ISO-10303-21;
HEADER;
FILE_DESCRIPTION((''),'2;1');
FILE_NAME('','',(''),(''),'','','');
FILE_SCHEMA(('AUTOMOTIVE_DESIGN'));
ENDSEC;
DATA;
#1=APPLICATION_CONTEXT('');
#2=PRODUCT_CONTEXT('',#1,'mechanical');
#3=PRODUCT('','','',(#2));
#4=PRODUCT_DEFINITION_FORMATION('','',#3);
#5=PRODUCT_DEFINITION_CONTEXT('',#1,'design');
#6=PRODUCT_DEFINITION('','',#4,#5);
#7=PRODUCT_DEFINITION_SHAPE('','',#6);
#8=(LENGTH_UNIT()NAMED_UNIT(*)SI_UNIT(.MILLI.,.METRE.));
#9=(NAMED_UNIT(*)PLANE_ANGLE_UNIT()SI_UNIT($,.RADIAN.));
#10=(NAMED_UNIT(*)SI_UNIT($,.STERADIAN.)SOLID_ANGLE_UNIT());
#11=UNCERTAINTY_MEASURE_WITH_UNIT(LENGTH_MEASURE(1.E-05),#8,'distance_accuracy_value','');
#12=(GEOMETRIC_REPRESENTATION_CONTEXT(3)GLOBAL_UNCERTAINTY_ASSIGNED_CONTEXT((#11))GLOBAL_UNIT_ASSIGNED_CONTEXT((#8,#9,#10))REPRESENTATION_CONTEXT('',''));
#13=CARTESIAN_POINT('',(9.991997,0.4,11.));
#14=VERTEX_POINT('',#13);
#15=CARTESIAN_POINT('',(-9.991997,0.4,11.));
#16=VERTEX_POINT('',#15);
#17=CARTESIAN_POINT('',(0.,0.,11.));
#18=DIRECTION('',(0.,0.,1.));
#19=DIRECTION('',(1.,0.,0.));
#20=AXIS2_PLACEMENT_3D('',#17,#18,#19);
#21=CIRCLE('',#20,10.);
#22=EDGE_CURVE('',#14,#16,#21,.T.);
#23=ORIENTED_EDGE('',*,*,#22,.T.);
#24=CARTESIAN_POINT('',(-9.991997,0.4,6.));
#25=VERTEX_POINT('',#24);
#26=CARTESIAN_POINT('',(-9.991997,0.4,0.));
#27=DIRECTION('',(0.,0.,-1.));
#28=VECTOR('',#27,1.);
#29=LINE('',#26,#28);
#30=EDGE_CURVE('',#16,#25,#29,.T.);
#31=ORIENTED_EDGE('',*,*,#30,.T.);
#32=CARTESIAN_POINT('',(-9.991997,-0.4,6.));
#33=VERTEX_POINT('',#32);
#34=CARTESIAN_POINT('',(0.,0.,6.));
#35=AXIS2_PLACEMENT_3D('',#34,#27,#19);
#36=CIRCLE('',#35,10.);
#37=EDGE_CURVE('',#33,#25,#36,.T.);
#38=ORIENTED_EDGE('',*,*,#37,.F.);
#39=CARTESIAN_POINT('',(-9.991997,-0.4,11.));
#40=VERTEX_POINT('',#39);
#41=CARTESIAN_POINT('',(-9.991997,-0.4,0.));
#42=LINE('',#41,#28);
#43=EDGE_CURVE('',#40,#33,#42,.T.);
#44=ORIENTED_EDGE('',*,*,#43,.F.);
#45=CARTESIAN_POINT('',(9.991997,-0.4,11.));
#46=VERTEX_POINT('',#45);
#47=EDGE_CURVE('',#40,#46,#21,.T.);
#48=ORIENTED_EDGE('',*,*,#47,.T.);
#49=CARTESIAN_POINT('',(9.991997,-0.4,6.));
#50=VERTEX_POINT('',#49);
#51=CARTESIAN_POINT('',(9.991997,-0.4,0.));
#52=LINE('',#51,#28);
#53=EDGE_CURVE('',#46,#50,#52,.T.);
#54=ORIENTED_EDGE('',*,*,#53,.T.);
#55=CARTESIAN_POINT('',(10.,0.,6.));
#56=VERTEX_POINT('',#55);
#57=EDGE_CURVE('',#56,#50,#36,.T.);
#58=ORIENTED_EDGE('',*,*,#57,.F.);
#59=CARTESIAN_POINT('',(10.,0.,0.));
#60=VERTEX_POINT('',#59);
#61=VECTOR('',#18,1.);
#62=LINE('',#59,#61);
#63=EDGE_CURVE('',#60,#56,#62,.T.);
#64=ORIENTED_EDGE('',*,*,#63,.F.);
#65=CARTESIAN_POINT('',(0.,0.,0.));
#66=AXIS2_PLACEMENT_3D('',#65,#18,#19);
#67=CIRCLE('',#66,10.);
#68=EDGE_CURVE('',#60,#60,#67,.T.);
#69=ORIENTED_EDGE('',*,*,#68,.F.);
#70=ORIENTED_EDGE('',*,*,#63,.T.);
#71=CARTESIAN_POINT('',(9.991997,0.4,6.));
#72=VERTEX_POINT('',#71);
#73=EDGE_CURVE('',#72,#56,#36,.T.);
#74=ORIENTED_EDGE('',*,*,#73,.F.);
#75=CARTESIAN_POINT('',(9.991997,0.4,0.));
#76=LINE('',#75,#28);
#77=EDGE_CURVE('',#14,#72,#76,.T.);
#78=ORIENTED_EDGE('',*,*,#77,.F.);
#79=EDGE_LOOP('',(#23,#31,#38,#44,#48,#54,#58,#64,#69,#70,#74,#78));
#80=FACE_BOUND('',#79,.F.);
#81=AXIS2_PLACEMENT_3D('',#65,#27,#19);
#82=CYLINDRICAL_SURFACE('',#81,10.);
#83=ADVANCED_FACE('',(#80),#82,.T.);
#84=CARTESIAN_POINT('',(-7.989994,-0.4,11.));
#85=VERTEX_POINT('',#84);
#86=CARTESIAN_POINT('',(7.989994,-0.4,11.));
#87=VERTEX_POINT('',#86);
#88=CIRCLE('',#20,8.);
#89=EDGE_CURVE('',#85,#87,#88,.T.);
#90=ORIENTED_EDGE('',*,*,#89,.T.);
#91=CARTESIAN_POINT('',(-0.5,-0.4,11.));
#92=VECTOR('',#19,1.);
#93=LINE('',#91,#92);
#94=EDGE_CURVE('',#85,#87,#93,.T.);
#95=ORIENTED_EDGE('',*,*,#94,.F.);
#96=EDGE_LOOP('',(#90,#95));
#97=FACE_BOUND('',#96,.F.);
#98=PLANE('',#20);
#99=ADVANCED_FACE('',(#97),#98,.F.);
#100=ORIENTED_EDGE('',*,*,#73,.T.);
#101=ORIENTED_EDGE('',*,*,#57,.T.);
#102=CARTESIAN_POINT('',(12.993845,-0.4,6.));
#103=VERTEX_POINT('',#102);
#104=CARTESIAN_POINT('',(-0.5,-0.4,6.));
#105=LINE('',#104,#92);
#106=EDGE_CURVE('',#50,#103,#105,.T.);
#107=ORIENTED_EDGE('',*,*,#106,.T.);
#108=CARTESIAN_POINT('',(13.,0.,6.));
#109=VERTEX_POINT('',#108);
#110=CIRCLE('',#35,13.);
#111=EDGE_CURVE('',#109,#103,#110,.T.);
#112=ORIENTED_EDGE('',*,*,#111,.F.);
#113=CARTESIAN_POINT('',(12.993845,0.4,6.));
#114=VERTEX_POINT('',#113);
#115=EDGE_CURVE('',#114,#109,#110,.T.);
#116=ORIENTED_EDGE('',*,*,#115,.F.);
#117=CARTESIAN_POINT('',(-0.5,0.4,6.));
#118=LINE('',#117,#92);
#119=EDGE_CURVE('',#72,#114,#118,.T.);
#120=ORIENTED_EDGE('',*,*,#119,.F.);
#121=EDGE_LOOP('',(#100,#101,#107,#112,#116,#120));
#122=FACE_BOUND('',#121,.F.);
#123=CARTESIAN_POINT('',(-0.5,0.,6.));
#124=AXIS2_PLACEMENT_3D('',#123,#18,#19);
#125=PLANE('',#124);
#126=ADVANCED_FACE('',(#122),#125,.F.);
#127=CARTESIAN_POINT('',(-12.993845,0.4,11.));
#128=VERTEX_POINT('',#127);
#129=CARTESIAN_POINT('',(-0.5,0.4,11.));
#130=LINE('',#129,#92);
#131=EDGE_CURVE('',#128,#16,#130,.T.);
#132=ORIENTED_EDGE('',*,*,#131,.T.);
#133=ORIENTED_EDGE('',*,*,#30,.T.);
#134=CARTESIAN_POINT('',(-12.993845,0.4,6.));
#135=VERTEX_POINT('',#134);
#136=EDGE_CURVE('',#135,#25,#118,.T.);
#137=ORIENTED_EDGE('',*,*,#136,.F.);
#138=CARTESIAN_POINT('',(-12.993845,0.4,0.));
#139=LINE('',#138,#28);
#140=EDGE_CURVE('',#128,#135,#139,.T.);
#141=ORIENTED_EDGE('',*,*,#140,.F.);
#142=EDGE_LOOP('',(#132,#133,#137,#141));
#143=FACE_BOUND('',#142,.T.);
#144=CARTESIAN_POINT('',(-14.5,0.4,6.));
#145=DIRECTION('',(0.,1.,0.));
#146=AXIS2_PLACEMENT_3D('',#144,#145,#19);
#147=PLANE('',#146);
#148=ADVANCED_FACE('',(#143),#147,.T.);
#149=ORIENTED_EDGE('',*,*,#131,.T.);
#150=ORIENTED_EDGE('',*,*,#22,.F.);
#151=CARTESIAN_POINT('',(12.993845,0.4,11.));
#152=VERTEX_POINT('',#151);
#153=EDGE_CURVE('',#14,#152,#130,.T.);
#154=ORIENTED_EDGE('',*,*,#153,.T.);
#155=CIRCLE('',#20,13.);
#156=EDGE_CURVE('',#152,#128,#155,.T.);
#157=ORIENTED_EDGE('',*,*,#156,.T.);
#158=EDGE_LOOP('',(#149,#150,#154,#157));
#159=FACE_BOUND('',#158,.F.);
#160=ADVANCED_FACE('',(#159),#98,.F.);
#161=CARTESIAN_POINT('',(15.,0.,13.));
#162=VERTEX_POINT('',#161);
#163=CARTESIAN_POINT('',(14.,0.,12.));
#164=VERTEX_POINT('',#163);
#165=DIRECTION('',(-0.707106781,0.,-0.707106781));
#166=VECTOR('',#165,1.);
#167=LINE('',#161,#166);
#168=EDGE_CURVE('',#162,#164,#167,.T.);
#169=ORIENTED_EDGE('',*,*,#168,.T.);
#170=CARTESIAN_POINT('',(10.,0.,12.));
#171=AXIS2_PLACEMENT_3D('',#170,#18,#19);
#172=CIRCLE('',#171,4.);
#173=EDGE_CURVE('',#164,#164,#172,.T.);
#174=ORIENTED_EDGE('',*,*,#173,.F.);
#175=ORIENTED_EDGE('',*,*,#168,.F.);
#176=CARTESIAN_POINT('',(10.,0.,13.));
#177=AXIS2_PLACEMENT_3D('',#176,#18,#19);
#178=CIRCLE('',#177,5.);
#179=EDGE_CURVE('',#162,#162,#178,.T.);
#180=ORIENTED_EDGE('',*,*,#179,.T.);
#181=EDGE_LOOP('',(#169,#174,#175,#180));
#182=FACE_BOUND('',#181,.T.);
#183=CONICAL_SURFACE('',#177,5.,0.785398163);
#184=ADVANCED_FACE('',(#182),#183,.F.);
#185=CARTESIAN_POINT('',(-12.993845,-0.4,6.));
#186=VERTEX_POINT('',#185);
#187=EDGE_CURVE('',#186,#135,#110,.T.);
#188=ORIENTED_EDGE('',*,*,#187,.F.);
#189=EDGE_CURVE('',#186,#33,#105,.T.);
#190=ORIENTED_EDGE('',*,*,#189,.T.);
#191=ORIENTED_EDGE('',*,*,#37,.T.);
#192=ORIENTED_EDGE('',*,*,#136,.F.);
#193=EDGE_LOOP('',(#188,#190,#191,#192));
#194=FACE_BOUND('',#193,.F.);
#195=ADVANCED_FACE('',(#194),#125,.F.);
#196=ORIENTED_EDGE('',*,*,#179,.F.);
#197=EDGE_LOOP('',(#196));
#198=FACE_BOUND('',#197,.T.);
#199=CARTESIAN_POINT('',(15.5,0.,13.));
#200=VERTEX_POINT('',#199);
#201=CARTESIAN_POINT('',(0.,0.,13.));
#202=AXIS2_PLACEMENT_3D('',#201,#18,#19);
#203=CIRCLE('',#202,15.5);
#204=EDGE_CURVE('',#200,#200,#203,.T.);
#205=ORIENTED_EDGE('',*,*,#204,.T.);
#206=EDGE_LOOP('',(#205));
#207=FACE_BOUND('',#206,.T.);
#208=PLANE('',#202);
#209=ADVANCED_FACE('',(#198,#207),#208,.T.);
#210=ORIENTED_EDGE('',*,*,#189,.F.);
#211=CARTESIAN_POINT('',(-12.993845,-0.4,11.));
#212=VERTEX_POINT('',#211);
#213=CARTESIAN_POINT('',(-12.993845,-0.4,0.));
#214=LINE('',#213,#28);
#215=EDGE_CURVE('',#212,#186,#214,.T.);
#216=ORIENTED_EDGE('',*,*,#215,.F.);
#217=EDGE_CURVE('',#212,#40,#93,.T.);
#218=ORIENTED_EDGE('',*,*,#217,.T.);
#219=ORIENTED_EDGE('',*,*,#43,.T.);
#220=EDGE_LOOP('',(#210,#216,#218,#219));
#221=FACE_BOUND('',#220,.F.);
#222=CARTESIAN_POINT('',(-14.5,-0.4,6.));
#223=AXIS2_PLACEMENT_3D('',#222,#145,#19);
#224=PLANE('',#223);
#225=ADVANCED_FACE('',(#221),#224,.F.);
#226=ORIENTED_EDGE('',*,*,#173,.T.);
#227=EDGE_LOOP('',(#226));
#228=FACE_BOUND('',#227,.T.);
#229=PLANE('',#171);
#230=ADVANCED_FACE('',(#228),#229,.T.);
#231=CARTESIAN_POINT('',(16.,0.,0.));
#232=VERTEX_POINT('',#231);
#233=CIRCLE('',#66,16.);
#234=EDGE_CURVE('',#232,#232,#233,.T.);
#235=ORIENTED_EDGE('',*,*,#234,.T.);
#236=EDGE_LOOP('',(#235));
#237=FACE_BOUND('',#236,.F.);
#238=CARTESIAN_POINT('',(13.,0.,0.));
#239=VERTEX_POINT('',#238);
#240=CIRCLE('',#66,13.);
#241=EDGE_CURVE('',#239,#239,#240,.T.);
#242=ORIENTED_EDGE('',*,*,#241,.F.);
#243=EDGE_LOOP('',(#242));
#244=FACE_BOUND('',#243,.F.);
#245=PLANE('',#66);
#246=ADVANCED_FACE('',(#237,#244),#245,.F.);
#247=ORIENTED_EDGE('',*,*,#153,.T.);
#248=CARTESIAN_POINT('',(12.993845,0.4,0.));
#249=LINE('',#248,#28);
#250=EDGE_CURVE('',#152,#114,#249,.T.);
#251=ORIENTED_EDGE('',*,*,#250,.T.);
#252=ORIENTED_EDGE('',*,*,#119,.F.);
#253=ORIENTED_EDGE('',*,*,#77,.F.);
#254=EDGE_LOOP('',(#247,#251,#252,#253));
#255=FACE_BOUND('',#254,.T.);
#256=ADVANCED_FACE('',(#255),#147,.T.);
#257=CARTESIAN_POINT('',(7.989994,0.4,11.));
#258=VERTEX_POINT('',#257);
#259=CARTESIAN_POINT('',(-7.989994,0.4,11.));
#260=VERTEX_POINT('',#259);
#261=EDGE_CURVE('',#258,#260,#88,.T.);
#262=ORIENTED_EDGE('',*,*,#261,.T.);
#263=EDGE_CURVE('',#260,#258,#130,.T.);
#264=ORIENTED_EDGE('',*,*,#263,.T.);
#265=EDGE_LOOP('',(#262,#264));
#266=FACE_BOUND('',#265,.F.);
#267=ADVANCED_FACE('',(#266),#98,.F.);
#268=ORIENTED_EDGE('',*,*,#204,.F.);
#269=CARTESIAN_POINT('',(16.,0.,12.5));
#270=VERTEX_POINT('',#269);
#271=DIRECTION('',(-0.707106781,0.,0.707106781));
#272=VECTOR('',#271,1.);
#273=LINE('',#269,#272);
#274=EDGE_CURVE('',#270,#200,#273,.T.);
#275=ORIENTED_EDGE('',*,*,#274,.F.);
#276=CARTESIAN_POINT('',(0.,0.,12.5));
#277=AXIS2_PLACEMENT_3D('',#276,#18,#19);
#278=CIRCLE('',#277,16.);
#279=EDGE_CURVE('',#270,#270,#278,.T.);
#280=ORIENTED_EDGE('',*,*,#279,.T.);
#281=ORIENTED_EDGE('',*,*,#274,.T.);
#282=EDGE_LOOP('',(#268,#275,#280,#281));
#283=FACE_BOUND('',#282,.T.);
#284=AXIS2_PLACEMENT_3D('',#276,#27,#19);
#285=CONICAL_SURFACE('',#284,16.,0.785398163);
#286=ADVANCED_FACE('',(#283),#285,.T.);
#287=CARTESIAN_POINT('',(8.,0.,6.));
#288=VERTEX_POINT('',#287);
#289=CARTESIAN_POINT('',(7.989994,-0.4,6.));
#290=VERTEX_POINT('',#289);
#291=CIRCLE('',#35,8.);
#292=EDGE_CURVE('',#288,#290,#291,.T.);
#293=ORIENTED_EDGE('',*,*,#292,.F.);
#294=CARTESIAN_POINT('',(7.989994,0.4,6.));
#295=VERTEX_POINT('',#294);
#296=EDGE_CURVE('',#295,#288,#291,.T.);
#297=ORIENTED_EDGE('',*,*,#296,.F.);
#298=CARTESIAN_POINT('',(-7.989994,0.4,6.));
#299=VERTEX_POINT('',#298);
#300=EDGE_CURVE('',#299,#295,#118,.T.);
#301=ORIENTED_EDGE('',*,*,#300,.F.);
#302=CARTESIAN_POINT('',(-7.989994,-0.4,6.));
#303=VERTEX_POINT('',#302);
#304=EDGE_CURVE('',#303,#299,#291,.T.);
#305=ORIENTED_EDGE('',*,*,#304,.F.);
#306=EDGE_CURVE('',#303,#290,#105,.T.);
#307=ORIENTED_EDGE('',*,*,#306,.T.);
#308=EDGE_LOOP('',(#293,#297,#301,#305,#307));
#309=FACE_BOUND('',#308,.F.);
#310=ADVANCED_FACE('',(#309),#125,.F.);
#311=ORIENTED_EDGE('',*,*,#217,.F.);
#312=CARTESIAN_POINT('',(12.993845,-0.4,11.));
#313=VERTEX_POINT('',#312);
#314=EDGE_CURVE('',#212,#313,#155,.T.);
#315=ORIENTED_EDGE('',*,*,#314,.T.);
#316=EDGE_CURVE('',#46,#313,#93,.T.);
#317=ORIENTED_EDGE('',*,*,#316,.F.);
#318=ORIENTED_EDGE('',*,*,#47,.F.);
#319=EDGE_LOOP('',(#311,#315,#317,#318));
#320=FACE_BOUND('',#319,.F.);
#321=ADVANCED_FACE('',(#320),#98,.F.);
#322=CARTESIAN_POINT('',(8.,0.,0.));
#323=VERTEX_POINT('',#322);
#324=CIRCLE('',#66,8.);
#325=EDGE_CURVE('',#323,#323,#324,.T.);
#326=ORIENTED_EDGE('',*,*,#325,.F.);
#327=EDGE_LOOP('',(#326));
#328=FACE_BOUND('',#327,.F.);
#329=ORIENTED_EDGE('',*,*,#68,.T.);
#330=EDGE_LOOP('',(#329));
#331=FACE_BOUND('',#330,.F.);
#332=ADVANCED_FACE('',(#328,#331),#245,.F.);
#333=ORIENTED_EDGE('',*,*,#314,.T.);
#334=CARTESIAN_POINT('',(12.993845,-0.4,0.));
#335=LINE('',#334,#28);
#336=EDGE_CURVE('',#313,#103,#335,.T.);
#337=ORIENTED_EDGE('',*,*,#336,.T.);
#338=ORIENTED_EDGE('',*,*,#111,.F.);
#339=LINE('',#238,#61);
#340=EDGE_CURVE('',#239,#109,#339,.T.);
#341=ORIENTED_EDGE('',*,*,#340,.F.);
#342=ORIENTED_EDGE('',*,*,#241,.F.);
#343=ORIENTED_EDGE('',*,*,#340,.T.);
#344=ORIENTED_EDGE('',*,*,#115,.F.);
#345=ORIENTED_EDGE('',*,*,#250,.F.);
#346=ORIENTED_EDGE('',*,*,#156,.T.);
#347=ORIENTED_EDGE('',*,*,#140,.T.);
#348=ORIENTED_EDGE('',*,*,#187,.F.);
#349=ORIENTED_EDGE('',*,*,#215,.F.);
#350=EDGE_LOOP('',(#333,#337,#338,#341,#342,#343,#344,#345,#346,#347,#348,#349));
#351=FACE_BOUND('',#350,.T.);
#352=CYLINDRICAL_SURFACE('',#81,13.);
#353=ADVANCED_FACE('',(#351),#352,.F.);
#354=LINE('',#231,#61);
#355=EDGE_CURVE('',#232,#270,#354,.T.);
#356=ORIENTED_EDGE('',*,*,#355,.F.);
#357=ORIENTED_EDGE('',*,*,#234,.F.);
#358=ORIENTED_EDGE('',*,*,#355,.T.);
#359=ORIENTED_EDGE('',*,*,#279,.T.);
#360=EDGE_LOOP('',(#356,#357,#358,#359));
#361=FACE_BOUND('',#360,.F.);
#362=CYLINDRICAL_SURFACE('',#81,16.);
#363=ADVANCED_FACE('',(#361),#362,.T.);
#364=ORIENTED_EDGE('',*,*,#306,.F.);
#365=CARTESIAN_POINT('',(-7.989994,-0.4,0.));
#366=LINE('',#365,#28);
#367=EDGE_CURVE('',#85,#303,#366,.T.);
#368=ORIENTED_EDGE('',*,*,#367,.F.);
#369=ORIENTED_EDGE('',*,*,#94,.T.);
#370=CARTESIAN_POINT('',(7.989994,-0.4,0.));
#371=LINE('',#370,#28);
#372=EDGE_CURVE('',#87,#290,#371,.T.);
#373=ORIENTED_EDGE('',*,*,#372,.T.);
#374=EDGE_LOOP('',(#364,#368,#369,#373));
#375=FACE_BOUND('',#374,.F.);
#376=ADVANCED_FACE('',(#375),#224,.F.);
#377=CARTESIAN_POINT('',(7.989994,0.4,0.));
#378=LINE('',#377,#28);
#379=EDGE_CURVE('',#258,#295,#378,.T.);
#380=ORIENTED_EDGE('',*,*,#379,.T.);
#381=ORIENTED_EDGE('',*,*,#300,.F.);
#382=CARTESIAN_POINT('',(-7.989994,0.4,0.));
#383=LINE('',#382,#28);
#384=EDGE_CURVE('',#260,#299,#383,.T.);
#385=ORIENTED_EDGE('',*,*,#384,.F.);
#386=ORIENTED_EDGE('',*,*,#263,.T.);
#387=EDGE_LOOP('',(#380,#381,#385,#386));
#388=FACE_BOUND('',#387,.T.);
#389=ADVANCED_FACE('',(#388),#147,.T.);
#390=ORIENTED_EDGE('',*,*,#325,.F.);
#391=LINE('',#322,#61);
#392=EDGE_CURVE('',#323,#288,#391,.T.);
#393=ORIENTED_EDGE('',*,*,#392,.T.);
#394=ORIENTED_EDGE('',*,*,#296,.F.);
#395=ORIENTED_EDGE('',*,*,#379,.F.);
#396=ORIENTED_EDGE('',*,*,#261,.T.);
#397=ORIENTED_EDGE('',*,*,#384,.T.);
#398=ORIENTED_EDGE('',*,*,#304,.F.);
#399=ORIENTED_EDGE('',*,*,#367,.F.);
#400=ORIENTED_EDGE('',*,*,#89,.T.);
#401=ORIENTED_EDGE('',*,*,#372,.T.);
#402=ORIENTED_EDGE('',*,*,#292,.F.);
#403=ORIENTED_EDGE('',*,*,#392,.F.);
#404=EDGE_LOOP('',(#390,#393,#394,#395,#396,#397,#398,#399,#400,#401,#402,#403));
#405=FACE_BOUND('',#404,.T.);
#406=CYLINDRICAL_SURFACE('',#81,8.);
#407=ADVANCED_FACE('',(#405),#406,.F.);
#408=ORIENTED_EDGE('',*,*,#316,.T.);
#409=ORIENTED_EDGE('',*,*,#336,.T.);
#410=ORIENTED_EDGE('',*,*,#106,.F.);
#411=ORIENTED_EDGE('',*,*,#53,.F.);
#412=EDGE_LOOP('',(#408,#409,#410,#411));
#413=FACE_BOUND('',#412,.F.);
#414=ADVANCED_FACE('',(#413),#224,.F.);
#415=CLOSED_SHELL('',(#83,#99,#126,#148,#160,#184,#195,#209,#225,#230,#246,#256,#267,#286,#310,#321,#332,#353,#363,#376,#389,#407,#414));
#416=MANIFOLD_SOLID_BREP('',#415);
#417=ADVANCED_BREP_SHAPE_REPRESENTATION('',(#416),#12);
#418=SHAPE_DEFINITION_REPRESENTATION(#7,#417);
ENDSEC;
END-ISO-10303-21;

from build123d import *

# Parameters (mm, degrees)
CYLINDER009_R     = 8
CYLINDER009_DEPTH = 11
CYLINDER008_R     = 10
CYLINDER008_DEPTH = 11
BOX002_W          = 28
BOX002_H          = 0.8
BOX002_DEPTH      = 5
CYLINDER007_R     = 5
CYLINDER007_DEPTH = 2
CHAMFER003_SIZE   = 1
CYLINDER006_R     = 13
CYLINDER006_DEPTH = 11
CYLINDER005_R     = 16
CYLINDER005_DEPTH = 13
CHAMFER002_SIZE   = 0.5


with BuildPart() as cylinder009:
    # Cylinder009 → Cylinder009 (new body)
    with BuildSketch(Plane.XY):
        Circle(CYLINDER009_R)
    extrude(amount=CYLINDER009_DEPTH)


with BuildPart() as cut012:
    # Cylinder008 → Cylinder008 (new body)
    with BuildSketch(Plane.XY):
        Circle(CYLINDER008_R)
    extrude(amount=CYLINDER008_DEPTH)

    # Cut012: cut Cylinder009
    add(cylinder009.part, mode=Mode.SUBTRACT)


with BuildPart() as cube002:
    # Box002 → Box002 (new body)
    with BuildSketch(Plane(origin=(-14.5, -0.4, 6), x_dir=(1, 0, 0), z_dir=(0, 0, 1))):
        with Locations((14, 0.4)):
            Rectangle(BOX002_W, BOX002_H)
    extrude(amount=BOX002_DEPTH)


with BuildPart() as chamfer003:
    # Cylinder007 → Cylinder007 (new body)
    with BuildSketch(Plane.XY.offset(19)):
        Circle(CYLINDER007_R)
    extrude(amount=CYLINDER007_DEPTH)

    # Chamfer003
    chamfer003_edges = [chamfer003.edges().sort_by_distance(p)[0] for p in [
        (-5, 0, 19),
    ]]
    chamfer(chamfer003_edges, length=CHAMFER003_SIZE)


with BuildPart() as chamfer003_1:
    # Chamfer003 placement: moved
    add(chamfer003.part.moved(Location((10, 0, -7))))


with BuildPart() as cylinder006:
    # Cylinder006 → Cylinder006 (new body)
    with BuildSketch(Plane.XY):
        Circle(CYLINDER006_R)
    extrude(amount=CYLINDER006_DEPTH)


with BuildPart() as big_knob:
    # Cylinder005 → Cylinder005 (new body)
    with BuildSketch(Plane.XY):
        Circle(CYLINDER005_R)
    extrude(amount=CYLINDER005_DEPTH)

    # Cut010: cut Cylinder006
    add(cylinder006.part, mode=Mode.SUBTRACT)

    # Chamfer002
    chamfer002_edges = [big_knob.edges().sort_by_distance(p)[0] for p in [
        (-16, 0, 13),
    ]]
    chamfer(chamfer002_edges, length=CHAMFER002_SIZE)

    # Cut011: cut Chamfer003
    add(chamfer003_1.part, mode=Mode.SUBTRACT)

    # Fusion: union Cut012, Cube002
    add(cut012.part)
    add(cube002.part)


solid = big_knob.part
